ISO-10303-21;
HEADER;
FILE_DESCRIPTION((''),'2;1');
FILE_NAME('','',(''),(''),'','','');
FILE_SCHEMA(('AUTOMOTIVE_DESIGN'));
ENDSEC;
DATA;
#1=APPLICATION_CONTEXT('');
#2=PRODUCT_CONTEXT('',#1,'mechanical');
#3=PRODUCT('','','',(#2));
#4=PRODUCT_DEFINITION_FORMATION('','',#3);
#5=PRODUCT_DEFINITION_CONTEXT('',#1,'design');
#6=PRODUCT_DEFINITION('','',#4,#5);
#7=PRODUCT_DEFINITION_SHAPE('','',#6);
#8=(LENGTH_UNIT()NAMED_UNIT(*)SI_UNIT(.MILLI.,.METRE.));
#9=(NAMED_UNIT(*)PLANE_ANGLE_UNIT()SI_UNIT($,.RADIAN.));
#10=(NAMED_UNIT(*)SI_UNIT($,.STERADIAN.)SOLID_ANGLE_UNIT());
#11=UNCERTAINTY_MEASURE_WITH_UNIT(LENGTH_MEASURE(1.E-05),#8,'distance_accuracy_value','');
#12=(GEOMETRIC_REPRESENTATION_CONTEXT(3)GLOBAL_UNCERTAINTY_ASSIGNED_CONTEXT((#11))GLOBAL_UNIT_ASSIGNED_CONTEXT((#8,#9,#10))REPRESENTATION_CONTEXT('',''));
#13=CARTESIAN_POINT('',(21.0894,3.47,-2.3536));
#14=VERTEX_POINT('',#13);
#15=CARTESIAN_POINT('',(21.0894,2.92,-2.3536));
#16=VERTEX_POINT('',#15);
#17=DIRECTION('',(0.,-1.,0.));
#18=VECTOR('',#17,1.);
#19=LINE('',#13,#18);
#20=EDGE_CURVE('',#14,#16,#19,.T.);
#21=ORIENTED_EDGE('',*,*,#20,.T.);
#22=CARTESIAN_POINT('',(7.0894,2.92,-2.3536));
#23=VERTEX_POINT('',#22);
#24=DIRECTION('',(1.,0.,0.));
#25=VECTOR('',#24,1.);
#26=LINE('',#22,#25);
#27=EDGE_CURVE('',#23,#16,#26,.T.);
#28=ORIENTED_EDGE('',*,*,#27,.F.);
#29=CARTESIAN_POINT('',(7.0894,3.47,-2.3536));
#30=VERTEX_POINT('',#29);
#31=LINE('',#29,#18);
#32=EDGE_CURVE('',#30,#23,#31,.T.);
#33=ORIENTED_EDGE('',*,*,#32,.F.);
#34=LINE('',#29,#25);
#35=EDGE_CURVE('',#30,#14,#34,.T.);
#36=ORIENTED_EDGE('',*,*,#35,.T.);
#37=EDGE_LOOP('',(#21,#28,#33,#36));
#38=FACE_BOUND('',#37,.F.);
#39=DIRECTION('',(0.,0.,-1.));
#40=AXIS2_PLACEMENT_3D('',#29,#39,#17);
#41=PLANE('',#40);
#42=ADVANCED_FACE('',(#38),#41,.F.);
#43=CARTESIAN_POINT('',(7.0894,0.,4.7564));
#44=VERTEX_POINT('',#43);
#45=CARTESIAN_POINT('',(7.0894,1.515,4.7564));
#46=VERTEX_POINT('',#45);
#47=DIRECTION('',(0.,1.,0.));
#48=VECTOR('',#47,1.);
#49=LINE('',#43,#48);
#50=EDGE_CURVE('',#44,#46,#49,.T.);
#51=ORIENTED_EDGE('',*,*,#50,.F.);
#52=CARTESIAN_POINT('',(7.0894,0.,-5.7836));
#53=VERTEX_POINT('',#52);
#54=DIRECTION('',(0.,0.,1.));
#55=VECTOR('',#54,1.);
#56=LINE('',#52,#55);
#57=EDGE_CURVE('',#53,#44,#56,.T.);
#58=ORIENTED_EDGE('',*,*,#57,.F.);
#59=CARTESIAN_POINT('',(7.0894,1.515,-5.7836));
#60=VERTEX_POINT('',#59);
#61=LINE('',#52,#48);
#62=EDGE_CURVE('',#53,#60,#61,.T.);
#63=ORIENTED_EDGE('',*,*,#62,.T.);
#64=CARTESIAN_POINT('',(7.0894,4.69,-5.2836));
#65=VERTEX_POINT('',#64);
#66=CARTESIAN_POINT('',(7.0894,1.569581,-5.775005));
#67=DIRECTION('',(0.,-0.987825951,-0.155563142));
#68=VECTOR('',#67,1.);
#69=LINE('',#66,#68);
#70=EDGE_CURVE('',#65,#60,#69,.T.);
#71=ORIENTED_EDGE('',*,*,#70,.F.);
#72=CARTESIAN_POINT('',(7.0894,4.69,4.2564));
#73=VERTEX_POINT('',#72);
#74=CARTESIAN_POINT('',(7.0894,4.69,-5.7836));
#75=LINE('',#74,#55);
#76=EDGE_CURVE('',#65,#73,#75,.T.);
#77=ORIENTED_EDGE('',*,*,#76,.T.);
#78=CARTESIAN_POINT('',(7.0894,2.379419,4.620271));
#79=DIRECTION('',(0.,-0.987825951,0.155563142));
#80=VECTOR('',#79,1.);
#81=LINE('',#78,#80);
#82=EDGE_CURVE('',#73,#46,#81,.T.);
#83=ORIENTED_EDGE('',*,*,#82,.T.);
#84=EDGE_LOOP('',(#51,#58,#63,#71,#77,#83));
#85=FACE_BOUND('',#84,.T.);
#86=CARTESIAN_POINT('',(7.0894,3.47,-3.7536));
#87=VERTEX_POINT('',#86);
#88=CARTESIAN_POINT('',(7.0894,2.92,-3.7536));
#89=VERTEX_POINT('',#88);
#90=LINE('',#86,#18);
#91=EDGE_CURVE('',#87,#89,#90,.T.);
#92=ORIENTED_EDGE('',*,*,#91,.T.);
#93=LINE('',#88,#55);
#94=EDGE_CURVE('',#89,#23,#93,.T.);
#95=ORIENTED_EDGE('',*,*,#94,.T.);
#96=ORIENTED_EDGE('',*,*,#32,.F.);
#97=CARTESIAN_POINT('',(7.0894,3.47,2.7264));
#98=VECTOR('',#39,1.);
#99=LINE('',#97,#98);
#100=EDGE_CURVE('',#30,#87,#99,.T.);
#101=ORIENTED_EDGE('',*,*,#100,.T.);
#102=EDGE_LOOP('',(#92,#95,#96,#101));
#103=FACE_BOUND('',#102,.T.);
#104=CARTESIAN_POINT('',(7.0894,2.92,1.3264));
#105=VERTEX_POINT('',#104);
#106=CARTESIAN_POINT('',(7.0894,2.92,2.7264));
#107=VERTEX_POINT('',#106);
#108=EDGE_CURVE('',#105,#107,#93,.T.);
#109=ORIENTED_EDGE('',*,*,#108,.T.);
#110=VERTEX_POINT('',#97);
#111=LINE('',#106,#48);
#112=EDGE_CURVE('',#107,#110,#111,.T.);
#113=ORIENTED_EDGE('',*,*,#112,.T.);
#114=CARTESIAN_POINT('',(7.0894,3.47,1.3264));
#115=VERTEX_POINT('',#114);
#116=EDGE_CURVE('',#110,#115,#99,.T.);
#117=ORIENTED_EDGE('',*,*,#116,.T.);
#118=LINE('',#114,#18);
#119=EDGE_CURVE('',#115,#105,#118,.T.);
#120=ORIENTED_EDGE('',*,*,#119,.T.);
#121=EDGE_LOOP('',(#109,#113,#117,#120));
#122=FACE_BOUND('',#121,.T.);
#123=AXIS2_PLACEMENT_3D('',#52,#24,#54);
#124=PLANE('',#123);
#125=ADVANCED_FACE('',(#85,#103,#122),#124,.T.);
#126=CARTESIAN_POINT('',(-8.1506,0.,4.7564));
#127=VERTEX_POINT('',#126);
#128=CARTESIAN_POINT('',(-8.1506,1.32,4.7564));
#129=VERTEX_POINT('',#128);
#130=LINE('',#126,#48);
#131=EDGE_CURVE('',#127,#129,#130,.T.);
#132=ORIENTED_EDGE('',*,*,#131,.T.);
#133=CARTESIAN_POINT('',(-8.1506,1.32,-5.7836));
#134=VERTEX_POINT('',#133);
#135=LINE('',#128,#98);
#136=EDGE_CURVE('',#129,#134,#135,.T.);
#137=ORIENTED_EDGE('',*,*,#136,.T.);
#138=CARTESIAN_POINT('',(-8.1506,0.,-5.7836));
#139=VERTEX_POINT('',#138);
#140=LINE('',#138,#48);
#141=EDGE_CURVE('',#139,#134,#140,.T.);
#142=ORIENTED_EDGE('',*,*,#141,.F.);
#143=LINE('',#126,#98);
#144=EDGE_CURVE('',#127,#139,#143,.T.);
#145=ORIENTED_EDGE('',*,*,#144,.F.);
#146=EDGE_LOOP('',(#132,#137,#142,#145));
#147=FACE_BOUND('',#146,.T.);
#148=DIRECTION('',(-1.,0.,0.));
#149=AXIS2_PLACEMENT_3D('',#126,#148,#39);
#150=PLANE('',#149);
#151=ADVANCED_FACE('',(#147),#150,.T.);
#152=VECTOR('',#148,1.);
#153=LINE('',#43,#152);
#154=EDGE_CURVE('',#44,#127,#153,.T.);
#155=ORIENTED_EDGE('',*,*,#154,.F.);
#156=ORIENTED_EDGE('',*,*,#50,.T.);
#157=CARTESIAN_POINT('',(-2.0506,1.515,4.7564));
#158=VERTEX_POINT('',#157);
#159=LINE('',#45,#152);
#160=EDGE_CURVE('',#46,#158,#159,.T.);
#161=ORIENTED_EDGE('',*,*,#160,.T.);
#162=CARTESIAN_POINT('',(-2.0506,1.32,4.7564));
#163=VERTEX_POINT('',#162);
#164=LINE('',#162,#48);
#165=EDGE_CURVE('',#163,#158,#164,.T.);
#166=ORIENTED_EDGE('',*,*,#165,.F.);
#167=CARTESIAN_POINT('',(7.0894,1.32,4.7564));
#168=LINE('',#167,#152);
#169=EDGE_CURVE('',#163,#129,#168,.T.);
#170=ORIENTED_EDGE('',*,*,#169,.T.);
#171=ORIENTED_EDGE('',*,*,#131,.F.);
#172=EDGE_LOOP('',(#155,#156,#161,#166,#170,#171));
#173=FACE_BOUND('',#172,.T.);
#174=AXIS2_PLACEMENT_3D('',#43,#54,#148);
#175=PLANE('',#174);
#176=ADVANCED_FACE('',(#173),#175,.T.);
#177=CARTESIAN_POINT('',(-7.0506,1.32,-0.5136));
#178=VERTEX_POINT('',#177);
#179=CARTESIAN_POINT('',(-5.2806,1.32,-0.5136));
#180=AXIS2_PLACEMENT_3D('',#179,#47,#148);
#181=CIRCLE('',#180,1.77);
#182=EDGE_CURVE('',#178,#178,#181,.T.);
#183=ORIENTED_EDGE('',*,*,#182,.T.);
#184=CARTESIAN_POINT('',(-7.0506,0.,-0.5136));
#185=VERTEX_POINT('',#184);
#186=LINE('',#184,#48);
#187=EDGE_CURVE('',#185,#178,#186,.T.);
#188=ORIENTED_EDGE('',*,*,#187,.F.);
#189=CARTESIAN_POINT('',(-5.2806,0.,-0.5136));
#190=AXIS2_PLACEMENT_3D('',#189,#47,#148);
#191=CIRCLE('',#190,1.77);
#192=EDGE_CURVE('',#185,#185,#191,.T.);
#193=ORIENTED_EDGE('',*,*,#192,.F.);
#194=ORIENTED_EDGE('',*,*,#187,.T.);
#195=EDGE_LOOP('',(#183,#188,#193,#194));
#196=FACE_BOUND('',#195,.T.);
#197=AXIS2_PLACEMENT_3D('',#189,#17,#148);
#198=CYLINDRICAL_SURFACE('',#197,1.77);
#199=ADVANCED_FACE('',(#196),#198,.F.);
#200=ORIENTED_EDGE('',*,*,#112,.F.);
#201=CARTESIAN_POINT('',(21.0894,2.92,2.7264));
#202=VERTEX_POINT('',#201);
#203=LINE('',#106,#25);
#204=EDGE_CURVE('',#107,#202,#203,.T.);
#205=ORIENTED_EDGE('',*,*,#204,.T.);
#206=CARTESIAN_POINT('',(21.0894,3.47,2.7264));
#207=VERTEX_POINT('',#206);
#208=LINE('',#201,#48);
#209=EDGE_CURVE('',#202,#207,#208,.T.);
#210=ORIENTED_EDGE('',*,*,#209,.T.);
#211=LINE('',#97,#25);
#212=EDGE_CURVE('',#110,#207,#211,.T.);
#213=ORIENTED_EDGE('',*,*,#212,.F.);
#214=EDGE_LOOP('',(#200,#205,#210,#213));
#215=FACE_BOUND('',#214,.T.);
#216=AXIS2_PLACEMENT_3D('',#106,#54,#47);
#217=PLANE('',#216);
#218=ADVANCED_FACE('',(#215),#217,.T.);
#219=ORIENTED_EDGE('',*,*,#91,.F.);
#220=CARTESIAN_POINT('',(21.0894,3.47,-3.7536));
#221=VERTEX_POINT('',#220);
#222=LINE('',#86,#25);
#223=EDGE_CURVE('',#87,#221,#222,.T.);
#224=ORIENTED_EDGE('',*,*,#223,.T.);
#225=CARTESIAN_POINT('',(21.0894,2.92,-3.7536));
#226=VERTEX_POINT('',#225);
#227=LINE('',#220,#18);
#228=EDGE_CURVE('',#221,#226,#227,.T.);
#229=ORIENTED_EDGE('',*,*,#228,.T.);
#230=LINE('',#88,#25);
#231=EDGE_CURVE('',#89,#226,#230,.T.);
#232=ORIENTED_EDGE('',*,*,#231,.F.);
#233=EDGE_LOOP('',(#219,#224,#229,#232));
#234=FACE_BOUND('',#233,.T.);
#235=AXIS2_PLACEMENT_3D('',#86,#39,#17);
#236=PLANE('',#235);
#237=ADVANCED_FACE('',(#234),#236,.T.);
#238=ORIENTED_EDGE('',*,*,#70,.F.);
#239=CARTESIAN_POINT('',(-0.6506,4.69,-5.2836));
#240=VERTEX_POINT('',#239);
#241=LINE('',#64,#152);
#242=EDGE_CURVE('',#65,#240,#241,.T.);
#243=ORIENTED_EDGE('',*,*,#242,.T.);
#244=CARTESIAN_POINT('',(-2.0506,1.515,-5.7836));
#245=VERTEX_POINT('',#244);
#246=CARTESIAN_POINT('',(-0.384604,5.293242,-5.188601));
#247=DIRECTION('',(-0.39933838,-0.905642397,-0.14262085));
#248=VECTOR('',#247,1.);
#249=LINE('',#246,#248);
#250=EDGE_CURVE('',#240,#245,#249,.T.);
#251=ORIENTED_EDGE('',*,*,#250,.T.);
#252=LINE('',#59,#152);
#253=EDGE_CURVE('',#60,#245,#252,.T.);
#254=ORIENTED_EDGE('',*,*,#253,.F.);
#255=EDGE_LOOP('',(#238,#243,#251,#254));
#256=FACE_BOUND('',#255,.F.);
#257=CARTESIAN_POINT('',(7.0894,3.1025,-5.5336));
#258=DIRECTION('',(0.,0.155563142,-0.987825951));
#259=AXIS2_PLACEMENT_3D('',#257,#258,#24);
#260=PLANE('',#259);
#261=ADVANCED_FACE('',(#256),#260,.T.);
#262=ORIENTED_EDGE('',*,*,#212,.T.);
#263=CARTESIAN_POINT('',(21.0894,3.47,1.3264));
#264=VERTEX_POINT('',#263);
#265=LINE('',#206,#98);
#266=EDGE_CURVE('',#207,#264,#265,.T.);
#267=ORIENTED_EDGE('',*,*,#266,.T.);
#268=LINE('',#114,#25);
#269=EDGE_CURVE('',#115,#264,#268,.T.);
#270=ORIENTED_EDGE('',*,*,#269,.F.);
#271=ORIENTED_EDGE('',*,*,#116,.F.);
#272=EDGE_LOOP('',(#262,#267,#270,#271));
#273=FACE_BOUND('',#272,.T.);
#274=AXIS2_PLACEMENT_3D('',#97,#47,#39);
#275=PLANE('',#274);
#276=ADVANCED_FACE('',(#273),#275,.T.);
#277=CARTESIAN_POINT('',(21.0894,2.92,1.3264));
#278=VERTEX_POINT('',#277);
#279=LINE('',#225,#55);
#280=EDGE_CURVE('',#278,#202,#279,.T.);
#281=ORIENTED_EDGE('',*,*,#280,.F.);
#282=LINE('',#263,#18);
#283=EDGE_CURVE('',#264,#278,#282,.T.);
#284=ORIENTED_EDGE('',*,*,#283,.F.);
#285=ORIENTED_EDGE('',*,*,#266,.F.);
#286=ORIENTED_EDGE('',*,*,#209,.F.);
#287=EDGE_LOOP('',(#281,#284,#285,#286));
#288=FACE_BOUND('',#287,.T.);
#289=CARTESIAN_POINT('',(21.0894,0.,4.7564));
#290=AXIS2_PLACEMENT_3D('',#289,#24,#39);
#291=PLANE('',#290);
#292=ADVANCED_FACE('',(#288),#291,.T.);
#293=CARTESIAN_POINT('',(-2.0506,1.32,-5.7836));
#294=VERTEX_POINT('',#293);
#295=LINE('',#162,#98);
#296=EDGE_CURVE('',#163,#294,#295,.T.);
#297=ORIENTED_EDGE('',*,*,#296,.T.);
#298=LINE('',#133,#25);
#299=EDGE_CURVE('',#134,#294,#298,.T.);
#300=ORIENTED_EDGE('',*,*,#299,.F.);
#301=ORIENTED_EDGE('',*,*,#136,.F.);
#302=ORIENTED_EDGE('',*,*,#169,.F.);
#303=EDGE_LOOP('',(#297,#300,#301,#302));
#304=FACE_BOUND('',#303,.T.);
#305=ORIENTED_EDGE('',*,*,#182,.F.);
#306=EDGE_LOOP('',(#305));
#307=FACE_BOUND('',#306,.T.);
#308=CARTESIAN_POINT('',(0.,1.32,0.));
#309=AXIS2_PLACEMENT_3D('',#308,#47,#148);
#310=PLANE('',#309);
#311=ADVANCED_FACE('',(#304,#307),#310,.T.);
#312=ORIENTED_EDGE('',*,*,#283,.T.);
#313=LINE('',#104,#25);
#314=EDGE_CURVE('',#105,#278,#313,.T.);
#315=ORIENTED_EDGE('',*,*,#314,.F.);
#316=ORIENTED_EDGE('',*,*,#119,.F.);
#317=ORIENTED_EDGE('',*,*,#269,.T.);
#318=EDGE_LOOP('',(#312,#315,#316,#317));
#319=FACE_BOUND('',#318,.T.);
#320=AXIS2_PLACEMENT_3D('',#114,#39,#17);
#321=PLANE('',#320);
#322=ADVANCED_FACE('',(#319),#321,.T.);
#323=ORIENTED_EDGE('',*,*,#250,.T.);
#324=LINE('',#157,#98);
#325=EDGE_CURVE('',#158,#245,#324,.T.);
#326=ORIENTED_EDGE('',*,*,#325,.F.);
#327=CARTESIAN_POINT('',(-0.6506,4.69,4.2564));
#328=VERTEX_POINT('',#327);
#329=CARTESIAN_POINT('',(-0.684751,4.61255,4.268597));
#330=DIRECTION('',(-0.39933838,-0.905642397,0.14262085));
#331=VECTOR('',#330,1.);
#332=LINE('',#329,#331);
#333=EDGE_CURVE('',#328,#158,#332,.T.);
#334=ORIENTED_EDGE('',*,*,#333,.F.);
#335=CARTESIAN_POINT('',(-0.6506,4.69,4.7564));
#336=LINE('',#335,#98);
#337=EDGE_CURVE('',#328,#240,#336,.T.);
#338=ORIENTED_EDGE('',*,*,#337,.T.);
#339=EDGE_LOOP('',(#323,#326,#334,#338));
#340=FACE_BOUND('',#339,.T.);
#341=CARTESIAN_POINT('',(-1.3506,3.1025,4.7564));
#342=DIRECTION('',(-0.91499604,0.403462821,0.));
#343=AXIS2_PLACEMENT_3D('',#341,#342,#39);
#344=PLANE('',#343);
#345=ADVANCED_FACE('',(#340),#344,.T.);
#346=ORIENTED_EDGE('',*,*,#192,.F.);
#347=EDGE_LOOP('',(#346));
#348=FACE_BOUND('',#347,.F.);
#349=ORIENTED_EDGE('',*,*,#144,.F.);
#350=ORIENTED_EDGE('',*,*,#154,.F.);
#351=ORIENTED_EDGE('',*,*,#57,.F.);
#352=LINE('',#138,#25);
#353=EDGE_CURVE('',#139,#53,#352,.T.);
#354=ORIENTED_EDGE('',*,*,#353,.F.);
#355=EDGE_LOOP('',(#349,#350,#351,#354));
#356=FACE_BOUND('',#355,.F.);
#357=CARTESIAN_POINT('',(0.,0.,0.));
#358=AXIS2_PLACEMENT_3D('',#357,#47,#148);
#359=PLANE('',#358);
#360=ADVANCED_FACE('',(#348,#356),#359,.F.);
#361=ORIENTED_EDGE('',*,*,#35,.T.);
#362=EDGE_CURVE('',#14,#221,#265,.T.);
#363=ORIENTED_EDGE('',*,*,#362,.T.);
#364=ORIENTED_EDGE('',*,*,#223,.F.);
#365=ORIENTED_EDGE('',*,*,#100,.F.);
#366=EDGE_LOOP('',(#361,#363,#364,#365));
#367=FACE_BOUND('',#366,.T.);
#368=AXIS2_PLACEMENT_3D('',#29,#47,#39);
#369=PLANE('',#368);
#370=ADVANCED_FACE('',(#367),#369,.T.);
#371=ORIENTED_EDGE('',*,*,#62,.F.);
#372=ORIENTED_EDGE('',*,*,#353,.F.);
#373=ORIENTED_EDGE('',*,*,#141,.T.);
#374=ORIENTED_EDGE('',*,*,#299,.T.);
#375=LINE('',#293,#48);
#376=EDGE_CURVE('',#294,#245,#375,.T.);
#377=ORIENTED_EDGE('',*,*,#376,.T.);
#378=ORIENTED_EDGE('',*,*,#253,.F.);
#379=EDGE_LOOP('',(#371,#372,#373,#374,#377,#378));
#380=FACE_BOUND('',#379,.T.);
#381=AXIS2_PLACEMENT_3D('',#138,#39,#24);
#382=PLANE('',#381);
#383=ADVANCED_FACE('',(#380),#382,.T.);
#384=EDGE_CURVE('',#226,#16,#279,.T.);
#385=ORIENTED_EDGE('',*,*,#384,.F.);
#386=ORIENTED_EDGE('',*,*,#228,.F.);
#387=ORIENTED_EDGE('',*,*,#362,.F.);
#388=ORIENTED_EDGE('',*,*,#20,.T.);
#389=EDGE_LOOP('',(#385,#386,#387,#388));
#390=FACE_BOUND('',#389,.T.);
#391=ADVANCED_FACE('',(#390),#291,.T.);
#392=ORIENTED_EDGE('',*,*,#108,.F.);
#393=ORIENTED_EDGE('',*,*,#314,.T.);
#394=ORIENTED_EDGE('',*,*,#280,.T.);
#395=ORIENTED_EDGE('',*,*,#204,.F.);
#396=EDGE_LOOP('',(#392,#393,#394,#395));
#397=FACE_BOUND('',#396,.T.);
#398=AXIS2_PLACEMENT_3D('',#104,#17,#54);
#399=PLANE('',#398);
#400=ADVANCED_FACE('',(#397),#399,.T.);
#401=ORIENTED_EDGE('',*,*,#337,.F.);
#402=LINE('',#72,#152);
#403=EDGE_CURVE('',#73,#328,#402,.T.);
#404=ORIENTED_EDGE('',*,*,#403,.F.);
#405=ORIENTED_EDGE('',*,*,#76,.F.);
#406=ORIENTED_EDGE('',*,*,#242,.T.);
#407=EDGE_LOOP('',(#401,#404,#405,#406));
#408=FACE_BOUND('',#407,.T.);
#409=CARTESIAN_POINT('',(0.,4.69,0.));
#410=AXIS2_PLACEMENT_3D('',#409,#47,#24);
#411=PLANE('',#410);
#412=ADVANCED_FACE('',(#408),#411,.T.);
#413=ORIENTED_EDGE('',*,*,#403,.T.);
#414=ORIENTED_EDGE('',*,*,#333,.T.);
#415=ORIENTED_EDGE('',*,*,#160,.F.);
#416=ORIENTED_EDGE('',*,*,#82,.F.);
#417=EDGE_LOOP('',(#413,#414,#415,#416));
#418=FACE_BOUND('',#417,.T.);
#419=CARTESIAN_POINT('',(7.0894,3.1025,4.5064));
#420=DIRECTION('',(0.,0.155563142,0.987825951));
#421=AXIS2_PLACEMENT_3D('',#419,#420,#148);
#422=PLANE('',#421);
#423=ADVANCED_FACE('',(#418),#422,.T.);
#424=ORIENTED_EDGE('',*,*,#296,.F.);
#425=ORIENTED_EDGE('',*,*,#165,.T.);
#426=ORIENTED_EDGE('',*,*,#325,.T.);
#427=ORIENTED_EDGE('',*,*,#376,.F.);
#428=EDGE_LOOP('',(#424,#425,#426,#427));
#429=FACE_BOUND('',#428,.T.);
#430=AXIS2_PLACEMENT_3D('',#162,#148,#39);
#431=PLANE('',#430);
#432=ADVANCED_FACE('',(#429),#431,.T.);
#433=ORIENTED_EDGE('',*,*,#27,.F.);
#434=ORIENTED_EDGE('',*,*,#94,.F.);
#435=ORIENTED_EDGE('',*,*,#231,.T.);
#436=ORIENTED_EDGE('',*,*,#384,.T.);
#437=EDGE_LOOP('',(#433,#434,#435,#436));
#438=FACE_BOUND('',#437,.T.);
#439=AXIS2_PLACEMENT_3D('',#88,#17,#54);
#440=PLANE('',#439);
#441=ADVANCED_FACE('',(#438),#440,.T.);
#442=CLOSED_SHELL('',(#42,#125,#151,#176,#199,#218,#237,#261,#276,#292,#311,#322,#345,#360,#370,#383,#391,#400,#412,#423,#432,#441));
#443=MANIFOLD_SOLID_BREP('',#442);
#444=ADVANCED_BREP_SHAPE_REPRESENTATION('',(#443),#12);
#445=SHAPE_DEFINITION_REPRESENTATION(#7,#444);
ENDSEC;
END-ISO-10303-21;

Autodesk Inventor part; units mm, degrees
ref_plane "YZ Plane" through (0, 0, 0) normal (1, 0, 0) x (0, 1, 0)
ref_plane "XZ Plane" through (0, 0, 0) normal (0, 1, 0) x (-1, 0, 0)
ref_plane "XY Plane" through (0, 0, 0) normal (0, 0, 1) x (1, 0, 0)
sketch "Sketch1" plane through (0, 0, 0) normal (0, 1, 0) x (-1, 0, 0)
  line L0 (-7.0894, 4.7564) -> (8.1506, 4.7564)
  line L1 (8.1506, 4.7564) -> (8.1506, -5.7836)
  line L2 (8.1506, -5.7836) -> (-7.0894, -5.7836)
  line L3 (-7.0894, -5.7836) -> (-7.0894, 4.7564)
  circle A0 centre (5.2806, -0.5136) radius 1.77
  point P0 (0, 0)
  dimension "d0" = 10.54
  dimension "d1" = 15.24
  dimension "d2" = 3.54
  dimension "d3" = 2.87
  dimension "d4" = 5.27
extrude "Extrusion1" add sketch "Sketch1" along normal blind 1.32
sketch "Sketch2" plane through (0, 1.32, 0) normal (0, 1, 0) x (1, 0, 0)
  line L0 (7.0894, 5.7836) -> (-8.1506, 5.7836) projected
  line L1 (-2.0506, 5.7836) -> (7.0894, 5.7836)
  line L2 (7.0894, 5.7836) -> (7.0894, -4.7564)
  line L3 (7.0894, -4.7564) -> (-2.0506, -4.7564)
  line L4 (-2.0506, -4.7564) -> (-2.0506, 5.7836)
  point P0 (0, 0)
  dimension "d7" = 9.14
extrude "Extrusion2" add sketch "Sketch2" along normal blind 3.37
chamfer "Chamfer1" distance 1.4 distance2 3.175 1 edges at (-2.0506, 4.69, -0.5136) measured on face at (0.996, 4.69, -2.2703)
chamfer "Chamfer2" distance 0.5 distance2 3.175 1 edges at (3.2194, 4.69, -5.7836) measured on face at (1.9294, 4.69, -2.2703)
chamfer "Chamfer3" distance 0.5 distance2 3.175 1 edges at (3.2194, 4.69, 4.7564) measured on face at (1.9294, 4.69, -1.9369)
sketch "Sketch4" plane through (7.0894, 0, 4.7564) normal (1, 0, 0) x (0, 0, -1)
  line L0 (0, 0) -> (0, 1.515) projected
  line L1 (10.54, 0) -> (0, 0) projected
  line L2 (2.03, 3.47) -> (8.51, 3.47)
  line L3 (8.51, 3.47) -> (8.51, 2.92)
  line L4 (8.51, 2.92) -> (2.03, 2.92)
  line L5 (2.03, 2.92) -> (2.03, 3.47)
  line L6 (3.43, 3.47) -> (3.43, 2.92)
  line L7 (4.57, 3.47) -> (4.57, 2.92)
  line L8 (5.97, 3.47) -> (5.97, 2.92)
  line L9 (7.11, 3.47) -> (7.11, 2.92)
  point P0 (4.7564, 0)
  dimension "d19" = 0.55
  dimension "d20" = 2.92
  dimension "d21" = 6.48
  dimension "d22" = 1.4
  dimension "d23" = 1.4
  dimension "d24" = 1.4
  dimension "d25" = 2.54
  dimension "d26" = 4.57
extrude "Extrusion3" add sketch "Sketch4" along normal blind 14 contours L2 L6 L4 L5 | L2 L3 L4 L9
properties part number "Diode"
